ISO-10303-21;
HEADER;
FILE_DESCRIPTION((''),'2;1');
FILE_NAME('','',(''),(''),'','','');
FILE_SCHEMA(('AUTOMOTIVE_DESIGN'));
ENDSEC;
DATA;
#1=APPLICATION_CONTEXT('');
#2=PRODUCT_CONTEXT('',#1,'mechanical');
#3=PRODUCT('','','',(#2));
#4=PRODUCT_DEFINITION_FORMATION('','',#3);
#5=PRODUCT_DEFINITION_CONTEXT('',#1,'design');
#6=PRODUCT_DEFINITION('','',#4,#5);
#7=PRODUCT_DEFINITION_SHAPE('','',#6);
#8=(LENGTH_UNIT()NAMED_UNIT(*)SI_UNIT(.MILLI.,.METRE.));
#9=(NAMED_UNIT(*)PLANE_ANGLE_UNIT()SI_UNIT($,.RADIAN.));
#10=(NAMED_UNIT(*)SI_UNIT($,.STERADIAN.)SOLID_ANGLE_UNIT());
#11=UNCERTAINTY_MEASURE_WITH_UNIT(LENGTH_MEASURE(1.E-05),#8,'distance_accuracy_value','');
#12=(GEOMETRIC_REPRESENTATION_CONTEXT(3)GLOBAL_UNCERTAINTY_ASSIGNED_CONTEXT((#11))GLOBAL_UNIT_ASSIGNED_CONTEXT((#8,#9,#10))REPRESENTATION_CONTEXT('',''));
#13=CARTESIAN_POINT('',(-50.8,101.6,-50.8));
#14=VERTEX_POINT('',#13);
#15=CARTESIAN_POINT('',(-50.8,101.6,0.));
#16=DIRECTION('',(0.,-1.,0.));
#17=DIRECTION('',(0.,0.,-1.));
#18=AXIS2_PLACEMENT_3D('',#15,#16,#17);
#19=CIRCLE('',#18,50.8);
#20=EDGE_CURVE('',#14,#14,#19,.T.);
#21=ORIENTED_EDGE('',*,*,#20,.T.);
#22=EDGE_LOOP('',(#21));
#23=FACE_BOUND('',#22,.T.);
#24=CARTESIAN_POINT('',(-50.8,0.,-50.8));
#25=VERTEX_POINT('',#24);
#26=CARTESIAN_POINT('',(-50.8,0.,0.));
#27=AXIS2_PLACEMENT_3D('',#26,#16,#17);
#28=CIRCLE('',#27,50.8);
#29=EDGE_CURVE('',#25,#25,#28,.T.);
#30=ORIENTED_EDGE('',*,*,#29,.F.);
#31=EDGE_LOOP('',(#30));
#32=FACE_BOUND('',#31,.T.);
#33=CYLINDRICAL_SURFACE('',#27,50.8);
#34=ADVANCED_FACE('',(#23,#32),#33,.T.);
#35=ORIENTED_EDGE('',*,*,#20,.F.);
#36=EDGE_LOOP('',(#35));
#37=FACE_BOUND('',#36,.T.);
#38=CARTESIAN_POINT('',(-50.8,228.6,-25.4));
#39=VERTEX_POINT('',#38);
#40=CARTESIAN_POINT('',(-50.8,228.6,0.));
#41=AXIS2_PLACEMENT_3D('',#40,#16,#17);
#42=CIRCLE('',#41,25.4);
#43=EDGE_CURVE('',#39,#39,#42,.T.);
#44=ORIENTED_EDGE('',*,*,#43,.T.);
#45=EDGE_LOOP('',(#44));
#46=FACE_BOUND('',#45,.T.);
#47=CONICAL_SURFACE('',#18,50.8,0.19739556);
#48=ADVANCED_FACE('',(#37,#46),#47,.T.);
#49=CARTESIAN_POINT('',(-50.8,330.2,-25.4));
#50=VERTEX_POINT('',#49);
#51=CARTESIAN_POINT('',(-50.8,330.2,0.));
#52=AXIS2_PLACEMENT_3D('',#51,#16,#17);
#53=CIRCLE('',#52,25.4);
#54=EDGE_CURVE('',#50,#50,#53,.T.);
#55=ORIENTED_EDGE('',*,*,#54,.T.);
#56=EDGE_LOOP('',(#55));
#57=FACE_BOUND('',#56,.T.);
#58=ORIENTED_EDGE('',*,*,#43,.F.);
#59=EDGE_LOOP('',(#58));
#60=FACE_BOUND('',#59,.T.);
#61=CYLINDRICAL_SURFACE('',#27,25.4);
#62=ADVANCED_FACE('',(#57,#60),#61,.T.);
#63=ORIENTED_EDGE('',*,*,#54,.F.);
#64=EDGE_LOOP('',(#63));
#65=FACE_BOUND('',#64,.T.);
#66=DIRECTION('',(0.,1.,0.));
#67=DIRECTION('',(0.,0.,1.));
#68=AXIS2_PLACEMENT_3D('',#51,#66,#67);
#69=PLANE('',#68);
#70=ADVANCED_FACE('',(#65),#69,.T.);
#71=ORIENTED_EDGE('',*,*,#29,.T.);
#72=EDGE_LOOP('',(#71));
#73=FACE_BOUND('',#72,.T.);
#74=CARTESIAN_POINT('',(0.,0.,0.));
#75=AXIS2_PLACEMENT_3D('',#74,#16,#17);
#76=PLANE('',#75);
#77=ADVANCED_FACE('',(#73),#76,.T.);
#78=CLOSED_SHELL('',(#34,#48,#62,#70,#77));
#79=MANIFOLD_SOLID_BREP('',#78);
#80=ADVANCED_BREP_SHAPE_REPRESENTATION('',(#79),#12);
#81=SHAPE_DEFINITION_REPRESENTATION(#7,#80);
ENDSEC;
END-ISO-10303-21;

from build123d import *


with BuildPart() as part:
    # Sketch1 → Revolve1 (revolve)
    with BuildSketch(Plane.XY, mode=Mode.PRIVATE) as revolve1_sk:
        Polygon((0, 0), (0, 101.6), (-25.4, 228.6), (-25.4, 330.2), (-50.8, 330.2), (-50.8, 0), align=None)
    revolve(revolve1_sk.sketch.rotate(Axis((-50.8, 0, 0), (0, 1, 0)), 90), axis=Axis((-50.8, 0, 0), (0, 1, 0)))


solid = part.part
